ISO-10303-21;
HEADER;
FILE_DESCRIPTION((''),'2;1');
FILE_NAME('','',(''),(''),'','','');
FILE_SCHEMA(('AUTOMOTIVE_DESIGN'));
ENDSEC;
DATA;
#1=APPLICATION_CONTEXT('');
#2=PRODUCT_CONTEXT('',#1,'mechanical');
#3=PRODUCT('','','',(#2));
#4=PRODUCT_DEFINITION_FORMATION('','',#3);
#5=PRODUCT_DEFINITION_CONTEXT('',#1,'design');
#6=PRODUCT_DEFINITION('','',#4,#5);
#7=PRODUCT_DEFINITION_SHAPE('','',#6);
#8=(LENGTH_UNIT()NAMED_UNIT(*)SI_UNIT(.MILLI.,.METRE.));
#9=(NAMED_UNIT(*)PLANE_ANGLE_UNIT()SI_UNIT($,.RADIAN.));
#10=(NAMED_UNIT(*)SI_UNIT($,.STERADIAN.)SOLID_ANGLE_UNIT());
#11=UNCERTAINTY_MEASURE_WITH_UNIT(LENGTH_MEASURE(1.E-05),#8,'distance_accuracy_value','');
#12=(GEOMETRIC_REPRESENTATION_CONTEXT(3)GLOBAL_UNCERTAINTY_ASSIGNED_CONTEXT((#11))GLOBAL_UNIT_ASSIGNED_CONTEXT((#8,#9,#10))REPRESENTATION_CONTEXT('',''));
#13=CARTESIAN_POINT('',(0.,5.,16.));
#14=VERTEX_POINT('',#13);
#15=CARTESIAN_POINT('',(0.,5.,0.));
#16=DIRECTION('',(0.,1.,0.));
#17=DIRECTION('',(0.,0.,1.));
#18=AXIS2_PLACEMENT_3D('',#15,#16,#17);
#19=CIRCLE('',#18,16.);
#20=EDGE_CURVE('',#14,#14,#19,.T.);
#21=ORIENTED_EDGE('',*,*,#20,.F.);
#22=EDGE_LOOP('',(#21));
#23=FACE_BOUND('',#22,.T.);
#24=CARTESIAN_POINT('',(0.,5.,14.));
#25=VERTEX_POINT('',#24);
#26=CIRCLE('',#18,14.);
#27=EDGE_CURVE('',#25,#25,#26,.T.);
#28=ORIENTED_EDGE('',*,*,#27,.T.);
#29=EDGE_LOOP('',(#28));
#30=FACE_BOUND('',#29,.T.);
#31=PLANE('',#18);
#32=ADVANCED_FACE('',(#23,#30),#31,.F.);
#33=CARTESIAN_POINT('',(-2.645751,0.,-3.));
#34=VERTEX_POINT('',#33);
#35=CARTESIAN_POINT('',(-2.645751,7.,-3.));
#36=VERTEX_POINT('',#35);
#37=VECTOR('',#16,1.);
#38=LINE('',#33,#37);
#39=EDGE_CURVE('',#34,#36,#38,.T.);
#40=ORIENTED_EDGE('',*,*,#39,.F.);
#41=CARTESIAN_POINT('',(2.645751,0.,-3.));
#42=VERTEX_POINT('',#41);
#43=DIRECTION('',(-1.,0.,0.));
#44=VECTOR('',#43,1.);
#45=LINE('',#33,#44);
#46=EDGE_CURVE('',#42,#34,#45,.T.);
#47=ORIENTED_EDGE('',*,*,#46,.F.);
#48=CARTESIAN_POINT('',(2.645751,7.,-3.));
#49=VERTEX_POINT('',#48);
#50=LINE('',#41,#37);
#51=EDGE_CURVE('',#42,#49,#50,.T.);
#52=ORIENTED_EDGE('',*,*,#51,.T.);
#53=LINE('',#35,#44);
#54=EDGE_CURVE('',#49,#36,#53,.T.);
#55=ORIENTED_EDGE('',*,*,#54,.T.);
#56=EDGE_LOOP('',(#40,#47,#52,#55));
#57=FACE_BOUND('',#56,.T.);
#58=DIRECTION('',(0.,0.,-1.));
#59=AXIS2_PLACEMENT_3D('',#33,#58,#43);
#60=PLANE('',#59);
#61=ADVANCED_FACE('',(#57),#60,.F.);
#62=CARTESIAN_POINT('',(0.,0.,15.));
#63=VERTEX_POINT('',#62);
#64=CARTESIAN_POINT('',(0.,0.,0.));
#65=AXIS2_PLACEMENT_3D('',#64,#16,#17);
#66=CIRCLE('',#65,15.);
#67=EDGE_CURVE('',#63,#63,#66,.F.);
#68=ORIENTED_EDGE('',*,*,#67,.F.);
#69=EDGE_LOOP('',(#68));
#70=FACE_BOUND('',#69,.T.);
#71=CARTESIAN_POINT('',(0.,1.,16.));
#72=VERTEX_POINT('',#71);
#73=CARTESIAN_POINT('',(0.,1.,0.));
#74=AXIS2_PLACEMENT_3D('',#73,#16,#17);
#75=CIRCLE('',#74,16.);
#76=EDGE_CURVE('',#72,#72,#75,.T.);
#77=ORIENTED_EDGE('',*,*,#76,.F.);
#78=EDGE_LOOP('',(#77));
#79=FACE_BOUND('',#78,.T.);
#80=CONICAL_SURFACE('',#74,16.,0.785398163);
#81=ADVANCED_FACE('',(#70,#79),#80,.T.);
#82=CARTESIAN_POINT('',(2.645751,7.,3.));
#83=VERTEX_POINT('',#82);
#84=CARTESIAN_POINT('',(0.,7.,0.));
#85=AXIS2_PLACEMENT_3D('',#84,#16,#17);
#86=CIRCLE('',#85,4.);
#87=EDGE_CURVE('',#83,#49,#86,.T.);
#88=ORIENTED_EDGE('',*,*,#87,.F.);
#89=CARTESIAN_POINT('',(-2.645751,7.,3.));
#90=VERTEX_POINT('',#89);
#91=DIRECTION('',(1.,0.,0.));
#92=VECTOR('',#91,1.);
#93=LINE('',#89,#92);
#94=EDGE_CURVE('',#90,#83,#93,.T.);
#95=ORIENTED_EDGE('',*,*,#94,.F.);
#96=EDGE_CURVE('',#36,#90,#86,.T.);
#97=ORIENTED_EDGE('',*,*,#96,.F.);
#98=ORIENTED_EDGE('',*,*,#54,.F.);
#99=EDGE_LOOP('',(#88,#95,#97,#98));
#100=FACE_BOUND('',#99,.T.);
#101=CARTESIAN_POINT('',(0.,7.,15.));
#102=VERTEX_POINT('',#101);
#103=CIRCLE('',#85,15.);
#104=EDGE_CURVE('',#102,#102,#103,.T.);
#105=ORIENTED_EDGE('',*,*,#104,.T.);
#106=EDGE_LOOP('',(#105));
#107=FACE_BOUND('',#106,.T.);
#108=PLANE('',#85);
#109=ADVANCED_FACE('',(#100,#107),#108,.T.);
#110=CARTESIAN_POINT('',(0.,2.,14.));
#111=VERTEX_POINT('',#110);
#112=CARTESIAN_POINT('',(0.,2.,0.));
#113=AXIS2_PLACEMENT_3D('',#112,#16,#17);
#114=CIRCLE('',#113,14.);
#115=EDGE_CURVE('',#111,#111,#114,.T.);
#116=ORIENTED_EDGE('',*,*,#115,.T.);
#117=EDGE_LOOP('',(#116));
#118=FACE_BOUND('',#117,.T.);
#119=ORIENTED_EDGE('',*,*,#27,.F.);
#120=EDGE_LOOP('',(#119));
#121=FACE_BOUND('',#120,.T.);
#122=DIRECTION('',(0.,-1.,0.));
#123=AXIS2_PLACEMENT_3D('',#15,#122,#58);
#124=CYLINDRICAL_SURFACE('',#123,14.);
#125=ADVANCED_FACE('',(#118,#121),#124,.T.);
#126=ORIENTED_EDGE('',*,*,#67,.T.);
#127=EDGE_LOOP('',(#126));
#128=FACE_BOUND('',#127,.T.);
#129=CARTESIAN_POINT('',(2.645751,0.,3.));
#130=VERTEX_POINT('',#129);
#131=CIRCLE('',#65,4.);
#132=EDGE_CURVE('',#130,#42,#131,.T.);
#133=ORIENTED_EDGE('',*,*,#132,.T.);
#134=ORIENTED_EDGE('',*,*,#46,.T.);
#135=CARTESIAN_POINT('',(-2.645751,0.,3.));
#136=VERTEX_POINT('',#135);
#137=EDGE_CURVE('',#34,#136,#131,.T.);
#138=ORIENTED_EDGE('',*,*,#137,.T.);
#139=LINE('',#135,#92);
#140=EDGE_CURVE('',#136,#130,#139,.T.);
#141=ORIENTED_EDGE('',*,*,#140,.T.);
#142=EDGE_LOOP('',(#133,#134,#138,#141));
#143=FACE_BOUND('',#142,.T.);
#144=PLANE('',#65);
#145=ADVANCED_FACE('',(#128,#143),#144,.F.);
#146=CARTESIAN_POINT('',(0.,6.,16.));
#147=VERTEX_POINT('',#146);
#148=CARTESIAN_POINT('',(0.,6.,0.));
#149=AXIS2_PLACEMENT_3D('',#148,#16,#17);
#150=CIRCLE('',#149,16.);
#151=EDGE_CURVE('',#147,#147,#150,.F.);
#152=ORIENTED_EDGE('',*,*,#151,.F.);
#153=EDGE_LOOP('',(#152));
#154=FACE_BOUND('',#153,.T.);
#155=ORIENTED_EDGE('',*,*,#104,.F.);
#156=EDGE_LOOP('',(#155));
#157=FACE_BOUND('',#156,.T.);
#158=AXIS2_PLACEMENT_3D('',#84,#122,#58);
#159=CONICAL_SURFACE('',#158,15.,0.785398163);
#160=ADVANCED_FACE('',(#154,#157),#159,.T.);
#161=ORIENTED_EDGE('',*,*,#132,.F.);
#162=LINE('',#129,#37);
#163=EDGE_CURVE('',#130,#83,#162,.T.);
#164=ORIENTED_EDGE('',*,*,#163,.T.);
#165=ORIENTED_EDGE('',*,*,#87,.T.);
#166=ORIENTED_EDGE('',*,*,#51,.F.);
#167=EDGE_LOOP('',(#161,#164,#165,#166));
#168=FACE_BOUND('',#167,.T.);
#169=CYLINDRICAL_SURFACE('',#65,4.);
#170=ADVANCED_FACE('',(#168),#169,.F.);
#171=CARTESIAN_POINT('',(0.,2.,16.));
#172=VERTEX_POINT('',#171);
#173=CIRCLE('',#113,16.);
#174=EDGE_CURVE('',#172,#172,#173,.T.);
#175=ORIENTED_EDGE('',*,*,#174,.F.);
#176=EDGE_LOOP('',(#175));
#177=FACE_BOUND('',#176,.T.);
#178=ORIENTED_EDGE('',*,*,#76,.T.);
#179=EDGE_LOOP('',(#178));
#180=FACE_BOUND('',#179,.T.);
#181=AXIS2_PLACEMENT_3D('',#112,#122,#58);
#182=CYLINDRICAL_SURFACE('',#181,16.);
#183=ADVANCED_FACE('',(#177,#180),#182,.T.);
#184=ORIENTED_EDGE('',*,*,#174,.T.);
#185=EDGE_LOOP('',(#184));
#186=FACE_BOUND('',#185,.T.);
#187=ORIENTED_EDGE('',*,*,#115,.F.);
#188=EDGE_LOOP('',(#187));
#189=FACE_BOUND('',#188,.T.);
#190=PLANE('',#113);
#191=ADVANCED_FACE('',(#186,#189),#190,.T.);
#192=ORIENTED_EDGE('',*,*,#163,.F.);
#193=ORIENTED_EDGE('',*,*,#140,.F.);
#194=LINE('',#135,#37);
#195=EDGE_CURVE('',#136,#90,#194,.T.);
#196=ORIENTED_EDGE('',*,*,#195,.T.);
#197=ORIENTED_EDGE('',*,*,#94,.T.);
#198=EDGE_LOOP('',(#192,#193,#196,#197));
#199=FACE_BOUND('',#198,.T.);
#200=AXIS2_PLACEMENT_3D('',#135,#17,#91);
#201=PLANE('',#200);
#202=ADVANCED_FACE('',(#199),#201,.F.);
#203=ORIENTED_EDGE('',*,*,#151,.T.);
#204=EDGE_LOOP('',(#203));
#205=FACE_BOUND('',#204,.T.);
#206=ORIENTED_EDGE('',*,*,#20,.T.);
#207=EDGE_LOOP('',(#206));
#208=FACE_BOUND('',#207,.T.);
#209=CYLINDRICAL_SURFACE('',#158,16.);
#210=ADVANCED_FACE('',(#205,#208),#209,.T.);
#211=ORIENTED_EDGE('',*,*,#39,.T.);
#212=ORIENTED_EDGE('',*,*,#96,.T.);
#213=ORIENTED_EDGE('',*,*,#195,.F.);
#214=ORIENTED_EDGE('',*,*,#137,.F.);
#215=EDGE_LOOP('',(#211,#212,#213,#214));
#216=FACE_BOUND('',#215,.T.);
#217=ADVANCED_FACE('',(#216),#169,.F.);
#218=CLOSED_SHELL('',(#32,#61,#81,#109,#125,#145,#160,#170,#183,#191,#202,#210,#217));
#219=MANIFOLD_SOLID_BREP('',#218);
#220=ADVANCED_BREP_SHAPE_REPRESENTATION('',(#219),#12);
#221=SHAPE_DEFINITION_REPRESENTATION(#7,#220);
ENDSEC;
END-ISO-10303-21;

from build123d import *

# Parameters (mm, degrees)
CROQUIS1_R              = 16
SALIENTE_EXTRUIR1_DEPTH = 2
CROQUIS4_R              = 14
SALIENTE_EXTRUIR2_DEPTH = 3
CROQUIS5_R              = 16
SALIENTE_EXTRUIR3_DEPTH = 2
CORTAR_EXTRUIR1_DEPTH   = 24.685438565
CHAFL_N1_SIZE           = 1
CHAFL_N2_SIZE           = 1


with BuildPart() as part:
    # Croquis1 → Saliente-Extruir1 (new body)
    with BuildSketch(Plane(origin=(0, 0, 0), x_dir=(1, 0, 0), z_dir=(0, 1, 0))):
        with Locations(Location((0, 0, 0), (0, 0, 270))):
            Circle(CROQUIS1_R)
    extrude(amount=SALIENTE_EXTRUIR1_DEPTH)

    # Croquis4 → Saliente-Extruir2 (add)
    with BuildSketch(Plane(origin=(0, 2, 0), x_dir=(1, 0, 0), z_dir=(0, 1, 0))):
        with Locations(Location((0, 0, 0), (0, 0, 270))):
            Circle(CROQUIS4_R)
    extrude(amount=SALIENTE_EXTRUIR2_DEPTH)

    # Croquis5 → Saliente-Extruir3 (add)
    with BuildSketch(Plane(origin=(0, 5, 0), x_dir=(1, 0, 0), z_dir=(0, 1, 0))):
        with Locations(Location((0, 0, 0), (0, 0, 270))):
            Circle(CROQUIS5_R)
    extrude(amount=SALIENTE_EXTRUIR3_DEPTH)

    # Croquis6 → Cortar-Extruir1 (cut, through all)
    with BuildSketch(Plane(origin=(0, 7, 0), x_dir=(1, 0, 0), z_dir=(0, 1, 0))):
        with BuildLine():
            Line((-2.645751311, -3), (2.645751311, -3))
            ThreePointArc((2.645751311, -3), (4, 0), (2.645751311, 3))
            Line((2.645751311, 3), (-2.645751311, 3))
            ThreePointArc((-2.645751311, 3), (-4, 0), (-2.645751311, -3))
        make_face()
    extrude(amount=-CORTAR_EXTRUIR1_DEPTH, mode=Mode.SUBTRACT)

    # Chaflán1
    chafl_n1_edges = [part.edges().sort_by_distance(p)[0] for p in [
        (0, 7, -16),
    ]]
    chamfer(chafl_n1_edges, length=CHAFL_N1_SIZE)

    # Chaflán2
    chafl_n2_edges = [part.edges().sort_by_distance(p)[0] for p in [
        (0, 0, -16),
    ]]
    chamfer(chafl_n2_edges, length=CHAFL_N2_SIZE)


solid = part.part
